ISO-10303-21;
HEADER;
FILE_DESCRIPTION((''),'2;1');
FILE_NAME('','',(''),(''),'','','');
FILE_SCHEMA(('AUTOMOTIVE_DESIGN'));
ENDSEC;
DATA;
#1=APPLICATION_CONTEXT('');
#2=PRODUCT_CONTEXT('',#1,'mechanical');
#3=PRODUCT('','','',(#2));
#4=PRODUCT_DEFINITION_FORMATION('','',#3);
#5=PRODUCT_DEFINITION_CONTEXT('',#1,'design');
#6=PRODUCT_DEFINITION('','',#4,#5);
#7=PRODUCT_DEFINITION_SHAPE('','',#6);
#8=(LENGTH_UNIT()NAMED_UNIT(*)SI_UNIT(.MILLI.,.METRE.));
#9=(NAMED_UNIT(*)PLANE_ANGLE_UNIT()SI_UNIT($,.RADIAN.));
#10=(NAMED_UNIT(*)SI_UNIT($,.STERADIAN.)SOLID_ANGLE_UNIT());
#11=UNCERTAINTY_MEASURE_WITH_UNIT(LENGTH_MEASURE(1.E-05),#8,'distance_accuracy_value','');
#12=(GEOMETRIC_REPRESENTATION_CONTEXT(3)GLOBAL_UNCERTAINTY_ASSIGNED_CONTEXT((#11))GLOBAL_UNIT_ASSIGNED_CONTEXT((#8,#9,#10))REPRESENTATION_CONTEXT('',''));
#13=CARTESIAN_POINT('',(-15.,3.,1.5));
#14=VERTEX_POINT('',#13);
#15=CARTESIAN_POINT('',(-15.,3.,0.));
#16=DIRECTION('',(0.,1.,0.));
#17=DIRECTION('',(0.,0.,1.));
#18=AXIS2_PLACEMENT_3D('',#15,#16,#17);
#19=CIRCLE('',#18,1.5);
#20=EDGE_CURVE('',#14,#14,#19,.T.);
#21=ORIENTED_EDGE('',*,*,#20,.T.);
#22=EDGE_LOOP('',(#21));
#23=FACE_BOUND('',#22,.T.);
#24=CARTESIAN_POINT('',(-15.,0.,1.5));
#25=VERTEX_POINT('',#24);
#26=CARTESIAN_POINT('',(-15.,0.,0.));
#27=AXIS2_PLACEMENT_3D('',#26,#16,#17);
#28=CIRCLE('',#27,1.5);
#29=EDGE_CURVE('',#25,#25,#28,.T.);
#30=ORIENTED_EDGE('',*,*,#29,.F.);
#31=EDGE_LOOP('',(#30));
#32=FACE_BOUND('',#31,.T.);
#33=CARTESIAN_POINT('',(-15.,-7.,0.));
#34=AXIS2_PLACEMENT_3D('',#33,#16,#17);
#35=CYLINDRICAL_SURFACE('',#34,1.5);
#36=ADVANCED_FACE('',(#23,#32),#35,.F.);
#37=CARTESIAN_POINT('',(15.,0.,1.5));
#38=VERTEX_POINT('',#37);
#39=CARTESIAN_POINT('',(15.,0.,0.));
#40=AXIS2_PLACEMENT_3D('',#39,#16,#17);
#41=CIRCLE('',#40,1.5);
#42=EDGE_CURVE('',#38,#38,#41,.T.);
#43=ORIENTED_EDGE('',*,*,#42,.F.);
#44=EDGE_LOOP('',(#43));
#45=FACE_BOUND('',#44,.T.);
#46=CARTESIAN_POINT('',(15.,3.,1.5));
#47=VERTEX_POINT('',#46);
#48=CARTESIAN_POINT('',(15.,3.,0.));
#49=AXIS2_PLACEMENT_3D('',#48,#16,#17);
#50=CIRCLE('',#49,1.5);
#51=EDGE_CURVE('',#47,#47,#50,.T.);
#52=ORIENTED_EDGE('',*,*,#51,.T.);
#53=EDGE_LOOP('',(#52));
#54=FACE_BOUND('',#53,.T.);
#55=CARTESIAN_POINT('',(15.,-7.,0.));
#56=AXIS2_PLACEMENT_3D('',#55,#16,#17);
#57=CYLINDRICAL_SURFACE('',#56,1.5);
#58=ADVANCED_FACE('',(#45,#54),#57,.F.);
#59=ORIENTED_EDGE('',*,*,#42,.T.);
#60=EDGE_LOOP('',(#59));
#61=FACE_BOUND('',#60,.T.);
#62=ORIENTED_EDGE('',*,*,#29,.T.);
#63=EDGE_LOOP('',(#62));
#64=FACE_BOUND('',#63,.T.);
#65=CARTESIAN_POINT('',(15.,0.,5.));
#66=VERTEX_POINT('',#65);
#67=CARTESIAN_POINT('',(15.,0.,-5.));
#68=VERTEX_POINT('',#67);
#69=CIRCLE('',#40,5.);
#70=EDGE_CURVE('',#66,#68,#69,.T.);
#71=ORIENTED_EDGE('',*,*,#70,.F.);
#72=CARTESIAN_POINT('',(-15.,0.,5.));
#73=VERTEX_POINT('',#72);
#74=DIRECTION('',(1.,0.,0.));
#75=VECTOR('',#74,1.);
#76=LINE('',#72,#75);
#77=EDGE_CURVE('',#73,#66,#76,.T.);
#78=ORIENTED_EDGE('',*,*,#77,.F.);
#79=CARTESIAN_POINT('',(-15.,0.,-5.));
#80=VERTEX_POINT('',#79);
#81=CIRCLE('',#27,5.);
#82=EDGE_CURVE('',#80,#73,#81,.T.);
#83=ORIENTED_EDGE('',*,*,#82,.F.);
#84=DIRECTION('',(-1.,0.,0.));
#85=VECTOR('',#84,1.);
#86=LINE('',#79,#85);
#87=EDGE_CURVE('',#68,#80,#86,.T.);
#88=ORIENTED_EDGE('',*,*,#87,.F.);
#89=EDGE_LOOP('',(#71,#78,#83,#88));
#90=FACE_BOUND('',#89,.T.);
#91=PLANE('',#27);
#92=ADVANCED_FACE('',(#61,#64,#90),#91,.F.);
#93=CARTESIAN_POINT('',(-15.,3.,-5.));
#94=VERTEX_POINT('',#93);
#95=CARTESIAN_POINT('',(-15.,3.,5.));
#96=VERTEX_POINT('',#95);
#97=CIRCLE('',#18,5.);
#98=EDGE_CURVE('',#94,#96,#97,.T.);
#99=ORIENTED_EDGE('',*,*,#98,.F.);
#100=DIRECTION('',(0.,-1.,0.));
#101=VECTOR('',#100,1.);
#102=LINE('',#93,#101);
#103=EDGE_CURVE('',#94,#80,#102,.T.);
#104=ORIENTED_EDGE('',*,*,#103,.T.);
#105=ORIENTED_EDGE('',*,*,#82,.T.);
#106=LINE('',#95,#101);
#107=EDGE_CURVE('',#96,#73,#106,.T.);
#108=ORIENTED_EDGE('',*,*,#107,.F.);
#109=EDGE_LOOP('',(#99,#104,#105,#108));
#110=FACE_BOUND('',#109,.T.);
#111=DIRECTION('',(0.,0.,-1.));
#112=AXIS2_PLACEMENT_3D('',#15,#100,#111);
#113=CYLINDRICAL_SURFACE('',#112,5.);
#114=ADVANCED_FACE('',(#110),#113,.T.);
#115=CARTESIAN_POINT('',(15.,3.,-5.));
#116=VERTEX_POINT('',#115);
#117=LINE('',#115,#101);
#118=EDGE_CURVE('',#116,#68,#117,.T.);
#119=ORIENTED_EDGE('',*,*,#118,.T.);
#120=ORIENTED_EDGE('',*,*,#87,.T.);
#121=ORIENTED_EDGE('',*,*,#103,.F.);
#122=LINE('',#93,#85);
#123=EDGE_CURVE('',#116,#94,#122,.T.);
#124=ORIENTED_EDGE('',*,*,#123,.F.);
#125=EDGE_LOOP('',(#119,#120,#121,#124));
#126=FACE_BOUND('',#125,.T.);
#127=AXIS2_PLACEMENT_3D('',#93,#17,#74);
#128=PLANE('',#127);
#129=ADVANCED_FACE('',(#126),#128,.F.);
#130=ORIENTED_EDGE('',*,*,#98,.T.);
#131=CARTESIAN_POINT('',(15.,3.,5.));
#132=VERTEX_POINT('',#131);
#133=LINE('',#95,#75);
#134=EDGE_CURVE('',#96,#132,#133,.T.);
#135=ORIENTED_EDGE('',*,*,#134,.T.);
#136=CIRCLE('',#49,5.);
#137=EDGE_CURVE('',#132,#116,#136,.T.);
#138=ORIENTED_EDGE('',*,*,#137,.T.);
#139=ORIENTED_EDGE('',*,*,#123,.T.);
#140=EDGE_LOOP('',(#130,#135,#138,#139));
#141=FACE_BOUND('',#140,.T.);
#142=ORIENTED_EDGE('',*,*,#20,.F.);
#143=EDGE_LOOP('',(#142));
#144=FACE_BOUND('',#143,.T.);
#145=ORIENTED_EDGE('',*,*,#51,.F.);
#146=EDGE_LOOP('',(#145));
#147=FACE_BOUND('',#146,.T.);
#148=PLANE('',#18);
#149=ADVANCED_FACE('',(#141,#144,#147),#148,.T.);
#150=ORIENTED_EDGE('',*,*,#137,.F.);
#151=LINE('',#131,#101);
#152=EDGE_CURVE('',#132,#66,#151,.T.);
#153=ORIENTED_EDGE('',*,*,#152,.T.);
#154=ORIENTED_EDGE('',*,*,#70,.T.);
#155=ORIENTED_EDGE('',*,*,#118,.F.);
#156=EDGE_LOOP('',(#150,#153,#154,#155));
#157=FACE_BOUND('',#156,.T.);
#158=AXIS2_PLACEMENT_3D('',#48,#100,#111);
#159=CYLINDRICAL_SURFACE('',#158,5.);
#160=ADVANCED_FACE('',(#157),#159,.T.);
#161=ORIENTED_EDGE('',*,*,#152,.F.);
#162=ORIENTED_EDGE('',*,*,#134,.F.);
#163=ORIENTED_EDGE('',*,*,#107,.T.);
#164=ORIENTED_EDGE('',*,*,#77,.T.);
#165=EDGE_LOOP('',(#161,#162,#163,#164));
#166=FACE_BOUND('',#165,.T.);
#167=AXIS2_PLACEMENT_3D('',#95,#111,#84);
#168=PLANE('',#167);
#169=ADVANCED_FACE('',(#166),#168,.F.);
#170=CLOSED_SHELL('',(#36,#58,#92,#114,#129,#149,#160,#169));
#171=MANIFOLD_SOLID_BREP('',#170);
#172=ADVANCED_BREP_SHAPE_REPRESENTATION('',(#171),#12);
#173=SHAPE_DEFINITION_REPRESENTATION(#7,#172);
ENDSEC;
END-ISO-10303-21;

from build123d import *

# Parameters (mm, degrees)
EXTRUDE_1_DEPTH     = 3
SKETCH_2_R          = 1.5
CUT_EXTRUDE_1_DEPTH = 10


with BuildPart() as part:
    # 草图1 → 凸台-拉伸1 (new body)
    with BuildSketch(Plane(origin=(0, 0, 0), x_dir=(1, 0, 0), z_dir=(0, 1, 0))):
        with BuildLine():
            Line((-15, 5), (15, 5))
            ThreePointArc((15, 5), (20, 0), (15, -5))
            Line((15, -5), (-15, -5))
            ThreePointArc((-15, -5), (-20, 0), (-15, 5))
        make_face()
    extrude(amount=EXTRUDE_1_DEPTH)

    # 草图2 → 切除-拉伸1 (cut)
    with BuildSketch(Plane(origin=(0, 3, 0), x_dir=(1, 0, 0), z_dir=(0, 1, 0))):
        with Locations(Location((-15, 0, 0), (0, 0, 270))):
            Circle(SKETCH_2_R)
        with Locations(Location((15, 0, 0), (0, 0, 270))):
            Circle(SKETCH_2_R)
    extrude(amount=-CUT_EXTRUDE_1_DEPTH, mode=Mode.SUBTRACT)


solid = part.part
